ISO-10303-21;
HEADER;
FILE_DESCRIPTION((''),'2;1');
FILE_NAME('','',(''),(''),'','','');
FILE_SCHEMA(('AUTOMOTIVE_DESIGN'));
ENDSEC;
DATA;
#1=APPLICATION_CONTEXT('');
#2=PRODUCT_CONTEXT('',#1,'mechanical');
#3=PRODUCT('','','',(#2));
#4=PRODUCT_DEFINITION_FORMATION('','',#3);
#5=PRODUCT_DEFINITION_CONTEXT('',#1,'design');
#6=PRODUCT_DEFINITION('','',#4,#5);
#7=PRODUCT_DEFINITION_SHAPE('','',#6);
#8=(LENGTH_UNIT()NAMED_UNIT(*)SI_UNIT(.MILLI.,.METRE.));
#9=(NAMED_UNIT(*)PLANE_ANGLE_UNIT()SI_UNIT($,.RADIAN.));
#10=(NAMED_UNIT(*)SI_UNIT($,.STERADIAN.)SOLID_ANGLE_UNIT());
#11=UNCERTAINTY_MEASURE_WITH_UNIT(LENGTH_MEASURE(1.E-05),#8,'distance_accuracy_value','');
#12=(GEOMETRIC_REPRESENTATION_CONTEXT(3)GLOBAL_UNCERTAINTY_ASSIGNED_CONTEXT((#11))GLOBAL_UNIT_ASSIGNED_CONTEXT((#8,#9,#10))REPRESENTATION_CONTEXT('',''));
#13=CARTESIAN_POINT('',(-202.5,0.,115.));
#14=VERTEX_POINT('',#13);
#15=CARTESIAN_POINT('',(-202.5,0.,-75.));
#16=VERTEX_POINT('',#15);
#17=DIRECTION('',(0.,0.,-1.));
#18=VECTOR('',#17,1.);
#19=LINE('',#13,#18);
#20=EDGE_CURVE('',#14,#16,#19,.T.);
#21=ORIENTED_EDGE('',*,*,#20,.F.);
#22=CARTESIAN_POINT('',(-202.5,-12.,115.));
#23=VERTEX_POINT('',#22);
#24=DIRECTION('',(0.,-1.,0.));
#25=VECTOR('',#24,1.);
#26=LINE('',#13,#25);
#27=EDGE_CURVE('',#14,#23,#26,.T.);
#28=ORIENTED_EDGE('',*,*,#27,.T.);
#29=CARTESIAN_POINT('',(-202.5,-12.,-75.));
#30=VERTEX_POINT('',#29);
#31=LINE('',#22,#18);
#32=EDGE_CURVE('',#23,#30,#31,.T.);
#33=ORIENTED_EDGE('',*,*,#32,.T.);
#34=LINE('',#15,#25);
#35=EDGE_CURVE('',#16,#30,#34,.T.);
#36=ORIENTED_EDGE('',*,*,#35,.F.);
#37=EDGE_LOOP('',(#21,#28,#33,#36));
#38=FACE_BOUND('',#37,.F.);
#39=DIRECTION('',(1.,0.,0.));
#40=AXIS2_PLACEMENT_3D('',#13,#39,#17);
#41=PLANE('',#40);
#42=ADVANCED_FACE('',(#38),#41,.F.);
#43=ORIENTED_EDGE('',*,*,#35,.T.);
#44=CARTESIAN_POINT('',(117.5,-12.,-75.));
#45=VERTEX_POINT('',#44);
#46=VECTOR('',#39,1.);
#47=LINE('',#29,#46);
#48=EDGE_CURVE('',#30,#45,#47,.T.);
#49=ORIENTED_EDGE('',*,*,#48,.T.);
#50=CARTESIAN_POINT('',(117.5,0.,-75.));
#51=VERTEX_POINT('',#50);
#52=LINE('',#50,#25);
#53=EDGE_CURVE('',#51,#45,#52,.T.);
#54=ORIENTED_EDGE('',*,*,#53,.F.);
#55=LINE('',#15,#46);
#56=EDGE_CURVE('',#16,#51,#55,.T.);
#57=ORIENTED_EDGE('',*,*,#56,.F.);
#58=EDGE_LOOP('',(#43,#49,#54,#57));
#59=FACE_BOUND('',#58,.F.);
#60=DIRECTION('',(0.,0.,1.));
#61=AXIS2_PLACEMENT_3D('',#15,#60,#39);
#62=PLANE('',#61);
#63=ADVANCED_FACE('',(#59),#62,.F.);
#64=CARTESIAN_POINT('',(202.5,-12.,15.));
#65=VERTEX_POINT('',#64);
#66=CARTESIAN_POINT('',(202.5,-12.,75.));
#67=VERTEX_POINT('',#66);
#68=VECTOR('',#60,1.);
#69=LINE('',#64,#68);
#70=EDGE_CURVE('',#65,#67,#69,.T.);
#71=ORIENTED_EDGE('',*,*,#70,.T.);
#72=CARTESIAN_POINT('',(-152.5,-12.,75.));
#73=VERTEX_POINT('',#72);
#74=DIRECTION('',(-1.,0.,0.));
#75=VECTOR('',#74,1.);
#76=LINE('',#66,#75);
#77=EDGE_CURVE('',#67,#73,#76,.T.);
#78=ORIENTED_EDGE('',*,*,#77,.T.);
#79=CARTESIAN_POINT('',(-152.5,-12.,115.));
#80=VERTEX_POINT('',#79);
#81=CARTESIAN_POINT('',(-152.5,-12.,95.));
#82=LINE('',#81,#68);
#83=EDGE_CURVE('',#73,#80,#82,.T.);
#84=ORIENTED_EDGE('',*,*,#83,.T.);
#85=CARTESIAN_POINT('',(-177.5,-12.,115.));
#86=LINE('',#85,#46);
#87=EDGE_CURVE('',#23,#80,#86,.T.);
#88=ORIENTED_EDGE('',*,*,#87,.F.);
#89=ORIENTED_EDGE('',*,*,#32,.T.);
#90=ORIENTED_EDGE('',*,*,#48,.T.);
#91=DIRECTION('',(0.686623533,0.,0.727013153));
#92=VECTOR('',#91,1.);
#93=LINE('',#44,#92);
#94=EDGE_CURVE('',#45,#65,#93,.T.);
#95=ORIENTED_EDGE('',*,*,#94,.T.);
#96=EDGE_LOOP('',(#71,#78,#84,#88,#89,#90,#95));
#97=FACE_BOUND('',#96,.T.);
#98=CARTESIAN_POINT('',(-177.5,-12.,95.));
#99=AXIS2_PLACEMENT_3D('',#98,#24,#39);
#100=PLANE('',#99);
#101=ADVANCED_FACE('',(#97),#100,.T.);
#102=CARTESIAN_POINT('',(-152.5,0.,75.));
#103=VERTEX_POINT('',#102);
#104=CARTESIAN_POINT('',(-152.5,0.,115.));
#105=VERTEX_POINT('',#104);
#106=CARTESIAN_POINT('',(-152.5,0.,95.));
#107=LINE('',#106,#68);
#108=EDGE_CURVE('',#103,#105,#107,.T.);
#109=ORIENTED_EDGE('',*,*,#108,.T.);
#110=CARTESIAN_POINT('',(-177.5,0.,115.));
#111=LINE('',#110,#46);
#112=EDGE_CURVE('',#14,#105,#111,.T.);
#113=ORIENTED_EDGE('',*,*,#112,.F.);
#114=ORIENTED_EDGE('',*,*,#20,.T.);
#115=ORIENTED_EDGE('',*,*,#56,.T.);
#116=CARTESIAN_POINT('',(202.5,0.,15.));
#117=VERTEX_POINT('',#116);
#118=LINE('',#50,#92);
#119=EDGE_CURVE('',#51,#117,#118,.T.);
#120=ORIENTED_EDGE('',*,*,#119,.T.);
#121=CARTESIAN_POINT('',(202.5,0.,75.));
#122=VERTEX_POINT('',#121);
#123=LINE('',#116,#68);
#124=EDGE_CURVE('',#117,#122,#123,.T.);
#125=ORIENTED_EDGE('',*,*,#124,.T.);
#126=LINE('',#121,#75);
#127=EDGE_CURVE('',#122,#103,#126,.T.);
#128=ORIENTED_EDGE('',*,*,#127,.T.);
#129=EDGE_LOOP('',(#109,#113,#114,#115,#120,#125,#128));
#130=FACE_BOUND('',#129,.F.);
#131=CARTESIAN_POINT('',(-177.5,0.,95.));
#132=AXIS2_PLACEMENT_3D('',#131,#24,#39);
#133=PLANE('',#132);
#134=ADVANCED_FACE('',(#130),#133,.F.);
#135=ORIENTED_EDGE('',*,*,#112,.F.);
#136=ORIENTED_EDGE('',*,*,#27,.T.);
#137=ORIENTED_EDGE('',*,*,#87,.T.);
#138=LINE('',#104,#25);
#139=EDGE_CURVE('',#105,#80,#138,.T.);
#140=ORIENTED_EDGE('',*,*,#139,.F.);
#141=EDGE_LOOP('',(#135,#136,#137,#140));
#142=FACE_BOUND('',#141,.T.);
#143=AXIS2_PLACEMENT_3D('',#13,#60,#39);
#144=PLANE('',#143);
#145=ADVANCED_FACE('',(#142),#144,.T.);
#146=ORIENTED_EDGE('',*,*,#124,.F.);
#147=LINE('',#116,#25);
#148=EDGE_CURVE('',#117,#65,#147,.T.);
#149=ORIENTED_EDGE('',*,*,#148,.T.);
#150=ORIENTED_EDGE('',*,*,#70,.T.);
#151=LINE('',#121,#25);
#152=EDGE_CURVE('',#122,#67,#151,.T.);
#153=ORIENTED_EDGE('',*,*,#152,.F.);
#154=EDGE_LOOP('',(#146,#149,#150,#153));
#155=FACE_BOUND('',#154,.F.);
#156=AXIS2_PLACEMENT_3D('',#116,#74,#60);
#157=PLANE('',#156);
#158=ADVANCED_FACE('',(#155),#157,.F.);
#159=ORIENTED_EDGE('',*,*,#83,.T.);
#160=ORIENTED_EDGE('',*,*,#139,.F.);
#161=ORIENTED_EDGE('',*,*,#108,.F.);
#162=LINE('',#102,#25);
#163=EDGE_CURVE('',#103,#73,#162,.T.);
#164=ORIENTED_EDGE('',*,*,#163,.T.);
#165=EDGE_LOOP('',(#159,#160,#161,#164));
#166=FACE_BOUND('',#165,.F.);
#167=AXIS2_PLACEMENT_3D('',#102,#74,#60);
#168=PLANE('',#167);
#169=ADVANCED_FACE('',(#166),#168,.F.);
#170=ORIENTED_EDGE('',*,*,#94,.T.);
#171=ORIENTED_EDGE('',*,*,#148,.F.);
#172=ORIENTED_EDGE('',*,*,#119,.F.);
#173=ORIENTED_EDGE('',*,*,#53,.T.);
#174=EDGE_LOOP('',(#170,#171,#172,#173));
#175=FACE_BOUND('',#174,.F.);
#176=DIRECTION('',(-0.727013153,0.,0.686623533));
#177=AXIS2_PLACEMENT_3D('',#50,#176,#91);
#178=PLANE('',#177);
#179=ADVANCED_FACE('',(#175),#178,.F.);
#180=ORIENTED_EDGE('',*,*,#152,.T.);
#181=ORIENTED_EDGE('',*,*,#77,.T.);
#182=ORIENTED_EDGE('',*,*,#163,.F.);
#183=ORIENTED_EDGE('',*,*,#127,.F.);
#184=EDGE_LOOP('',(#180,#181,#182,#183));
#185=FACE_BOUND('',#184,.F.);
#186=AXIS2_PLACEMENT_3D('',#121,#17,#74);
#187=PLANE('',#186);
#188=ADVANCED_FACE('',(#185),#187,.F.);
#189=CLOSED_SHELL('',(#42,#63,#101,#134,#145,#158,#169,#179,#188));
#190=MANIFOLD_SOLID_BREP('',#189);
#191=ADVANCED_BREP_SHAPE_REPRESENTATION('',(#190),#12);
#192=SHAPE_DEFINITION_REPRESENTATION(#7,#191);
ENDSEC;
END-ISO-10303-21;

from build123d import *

# Parameters (mm, degrees)
F0_W     = 50
F0_H     = 40
F1_DEPTH = 12


with BuildPart() as f1:
    # F0 (on Front) → F1 (new body)
    with BuildSketch(Plane.XZ):
        with Locations((-177.5, 95)):
            Rectangle(F0_W, F0_H)
        Polygon((-152.5, 75), (-202.5, 75), (-202.5, -75), (117.5, -75), (202.5, 15), (202.5, 75), align=None)
    extrude(amount=F1_DEPTH)


solid = f1.part
